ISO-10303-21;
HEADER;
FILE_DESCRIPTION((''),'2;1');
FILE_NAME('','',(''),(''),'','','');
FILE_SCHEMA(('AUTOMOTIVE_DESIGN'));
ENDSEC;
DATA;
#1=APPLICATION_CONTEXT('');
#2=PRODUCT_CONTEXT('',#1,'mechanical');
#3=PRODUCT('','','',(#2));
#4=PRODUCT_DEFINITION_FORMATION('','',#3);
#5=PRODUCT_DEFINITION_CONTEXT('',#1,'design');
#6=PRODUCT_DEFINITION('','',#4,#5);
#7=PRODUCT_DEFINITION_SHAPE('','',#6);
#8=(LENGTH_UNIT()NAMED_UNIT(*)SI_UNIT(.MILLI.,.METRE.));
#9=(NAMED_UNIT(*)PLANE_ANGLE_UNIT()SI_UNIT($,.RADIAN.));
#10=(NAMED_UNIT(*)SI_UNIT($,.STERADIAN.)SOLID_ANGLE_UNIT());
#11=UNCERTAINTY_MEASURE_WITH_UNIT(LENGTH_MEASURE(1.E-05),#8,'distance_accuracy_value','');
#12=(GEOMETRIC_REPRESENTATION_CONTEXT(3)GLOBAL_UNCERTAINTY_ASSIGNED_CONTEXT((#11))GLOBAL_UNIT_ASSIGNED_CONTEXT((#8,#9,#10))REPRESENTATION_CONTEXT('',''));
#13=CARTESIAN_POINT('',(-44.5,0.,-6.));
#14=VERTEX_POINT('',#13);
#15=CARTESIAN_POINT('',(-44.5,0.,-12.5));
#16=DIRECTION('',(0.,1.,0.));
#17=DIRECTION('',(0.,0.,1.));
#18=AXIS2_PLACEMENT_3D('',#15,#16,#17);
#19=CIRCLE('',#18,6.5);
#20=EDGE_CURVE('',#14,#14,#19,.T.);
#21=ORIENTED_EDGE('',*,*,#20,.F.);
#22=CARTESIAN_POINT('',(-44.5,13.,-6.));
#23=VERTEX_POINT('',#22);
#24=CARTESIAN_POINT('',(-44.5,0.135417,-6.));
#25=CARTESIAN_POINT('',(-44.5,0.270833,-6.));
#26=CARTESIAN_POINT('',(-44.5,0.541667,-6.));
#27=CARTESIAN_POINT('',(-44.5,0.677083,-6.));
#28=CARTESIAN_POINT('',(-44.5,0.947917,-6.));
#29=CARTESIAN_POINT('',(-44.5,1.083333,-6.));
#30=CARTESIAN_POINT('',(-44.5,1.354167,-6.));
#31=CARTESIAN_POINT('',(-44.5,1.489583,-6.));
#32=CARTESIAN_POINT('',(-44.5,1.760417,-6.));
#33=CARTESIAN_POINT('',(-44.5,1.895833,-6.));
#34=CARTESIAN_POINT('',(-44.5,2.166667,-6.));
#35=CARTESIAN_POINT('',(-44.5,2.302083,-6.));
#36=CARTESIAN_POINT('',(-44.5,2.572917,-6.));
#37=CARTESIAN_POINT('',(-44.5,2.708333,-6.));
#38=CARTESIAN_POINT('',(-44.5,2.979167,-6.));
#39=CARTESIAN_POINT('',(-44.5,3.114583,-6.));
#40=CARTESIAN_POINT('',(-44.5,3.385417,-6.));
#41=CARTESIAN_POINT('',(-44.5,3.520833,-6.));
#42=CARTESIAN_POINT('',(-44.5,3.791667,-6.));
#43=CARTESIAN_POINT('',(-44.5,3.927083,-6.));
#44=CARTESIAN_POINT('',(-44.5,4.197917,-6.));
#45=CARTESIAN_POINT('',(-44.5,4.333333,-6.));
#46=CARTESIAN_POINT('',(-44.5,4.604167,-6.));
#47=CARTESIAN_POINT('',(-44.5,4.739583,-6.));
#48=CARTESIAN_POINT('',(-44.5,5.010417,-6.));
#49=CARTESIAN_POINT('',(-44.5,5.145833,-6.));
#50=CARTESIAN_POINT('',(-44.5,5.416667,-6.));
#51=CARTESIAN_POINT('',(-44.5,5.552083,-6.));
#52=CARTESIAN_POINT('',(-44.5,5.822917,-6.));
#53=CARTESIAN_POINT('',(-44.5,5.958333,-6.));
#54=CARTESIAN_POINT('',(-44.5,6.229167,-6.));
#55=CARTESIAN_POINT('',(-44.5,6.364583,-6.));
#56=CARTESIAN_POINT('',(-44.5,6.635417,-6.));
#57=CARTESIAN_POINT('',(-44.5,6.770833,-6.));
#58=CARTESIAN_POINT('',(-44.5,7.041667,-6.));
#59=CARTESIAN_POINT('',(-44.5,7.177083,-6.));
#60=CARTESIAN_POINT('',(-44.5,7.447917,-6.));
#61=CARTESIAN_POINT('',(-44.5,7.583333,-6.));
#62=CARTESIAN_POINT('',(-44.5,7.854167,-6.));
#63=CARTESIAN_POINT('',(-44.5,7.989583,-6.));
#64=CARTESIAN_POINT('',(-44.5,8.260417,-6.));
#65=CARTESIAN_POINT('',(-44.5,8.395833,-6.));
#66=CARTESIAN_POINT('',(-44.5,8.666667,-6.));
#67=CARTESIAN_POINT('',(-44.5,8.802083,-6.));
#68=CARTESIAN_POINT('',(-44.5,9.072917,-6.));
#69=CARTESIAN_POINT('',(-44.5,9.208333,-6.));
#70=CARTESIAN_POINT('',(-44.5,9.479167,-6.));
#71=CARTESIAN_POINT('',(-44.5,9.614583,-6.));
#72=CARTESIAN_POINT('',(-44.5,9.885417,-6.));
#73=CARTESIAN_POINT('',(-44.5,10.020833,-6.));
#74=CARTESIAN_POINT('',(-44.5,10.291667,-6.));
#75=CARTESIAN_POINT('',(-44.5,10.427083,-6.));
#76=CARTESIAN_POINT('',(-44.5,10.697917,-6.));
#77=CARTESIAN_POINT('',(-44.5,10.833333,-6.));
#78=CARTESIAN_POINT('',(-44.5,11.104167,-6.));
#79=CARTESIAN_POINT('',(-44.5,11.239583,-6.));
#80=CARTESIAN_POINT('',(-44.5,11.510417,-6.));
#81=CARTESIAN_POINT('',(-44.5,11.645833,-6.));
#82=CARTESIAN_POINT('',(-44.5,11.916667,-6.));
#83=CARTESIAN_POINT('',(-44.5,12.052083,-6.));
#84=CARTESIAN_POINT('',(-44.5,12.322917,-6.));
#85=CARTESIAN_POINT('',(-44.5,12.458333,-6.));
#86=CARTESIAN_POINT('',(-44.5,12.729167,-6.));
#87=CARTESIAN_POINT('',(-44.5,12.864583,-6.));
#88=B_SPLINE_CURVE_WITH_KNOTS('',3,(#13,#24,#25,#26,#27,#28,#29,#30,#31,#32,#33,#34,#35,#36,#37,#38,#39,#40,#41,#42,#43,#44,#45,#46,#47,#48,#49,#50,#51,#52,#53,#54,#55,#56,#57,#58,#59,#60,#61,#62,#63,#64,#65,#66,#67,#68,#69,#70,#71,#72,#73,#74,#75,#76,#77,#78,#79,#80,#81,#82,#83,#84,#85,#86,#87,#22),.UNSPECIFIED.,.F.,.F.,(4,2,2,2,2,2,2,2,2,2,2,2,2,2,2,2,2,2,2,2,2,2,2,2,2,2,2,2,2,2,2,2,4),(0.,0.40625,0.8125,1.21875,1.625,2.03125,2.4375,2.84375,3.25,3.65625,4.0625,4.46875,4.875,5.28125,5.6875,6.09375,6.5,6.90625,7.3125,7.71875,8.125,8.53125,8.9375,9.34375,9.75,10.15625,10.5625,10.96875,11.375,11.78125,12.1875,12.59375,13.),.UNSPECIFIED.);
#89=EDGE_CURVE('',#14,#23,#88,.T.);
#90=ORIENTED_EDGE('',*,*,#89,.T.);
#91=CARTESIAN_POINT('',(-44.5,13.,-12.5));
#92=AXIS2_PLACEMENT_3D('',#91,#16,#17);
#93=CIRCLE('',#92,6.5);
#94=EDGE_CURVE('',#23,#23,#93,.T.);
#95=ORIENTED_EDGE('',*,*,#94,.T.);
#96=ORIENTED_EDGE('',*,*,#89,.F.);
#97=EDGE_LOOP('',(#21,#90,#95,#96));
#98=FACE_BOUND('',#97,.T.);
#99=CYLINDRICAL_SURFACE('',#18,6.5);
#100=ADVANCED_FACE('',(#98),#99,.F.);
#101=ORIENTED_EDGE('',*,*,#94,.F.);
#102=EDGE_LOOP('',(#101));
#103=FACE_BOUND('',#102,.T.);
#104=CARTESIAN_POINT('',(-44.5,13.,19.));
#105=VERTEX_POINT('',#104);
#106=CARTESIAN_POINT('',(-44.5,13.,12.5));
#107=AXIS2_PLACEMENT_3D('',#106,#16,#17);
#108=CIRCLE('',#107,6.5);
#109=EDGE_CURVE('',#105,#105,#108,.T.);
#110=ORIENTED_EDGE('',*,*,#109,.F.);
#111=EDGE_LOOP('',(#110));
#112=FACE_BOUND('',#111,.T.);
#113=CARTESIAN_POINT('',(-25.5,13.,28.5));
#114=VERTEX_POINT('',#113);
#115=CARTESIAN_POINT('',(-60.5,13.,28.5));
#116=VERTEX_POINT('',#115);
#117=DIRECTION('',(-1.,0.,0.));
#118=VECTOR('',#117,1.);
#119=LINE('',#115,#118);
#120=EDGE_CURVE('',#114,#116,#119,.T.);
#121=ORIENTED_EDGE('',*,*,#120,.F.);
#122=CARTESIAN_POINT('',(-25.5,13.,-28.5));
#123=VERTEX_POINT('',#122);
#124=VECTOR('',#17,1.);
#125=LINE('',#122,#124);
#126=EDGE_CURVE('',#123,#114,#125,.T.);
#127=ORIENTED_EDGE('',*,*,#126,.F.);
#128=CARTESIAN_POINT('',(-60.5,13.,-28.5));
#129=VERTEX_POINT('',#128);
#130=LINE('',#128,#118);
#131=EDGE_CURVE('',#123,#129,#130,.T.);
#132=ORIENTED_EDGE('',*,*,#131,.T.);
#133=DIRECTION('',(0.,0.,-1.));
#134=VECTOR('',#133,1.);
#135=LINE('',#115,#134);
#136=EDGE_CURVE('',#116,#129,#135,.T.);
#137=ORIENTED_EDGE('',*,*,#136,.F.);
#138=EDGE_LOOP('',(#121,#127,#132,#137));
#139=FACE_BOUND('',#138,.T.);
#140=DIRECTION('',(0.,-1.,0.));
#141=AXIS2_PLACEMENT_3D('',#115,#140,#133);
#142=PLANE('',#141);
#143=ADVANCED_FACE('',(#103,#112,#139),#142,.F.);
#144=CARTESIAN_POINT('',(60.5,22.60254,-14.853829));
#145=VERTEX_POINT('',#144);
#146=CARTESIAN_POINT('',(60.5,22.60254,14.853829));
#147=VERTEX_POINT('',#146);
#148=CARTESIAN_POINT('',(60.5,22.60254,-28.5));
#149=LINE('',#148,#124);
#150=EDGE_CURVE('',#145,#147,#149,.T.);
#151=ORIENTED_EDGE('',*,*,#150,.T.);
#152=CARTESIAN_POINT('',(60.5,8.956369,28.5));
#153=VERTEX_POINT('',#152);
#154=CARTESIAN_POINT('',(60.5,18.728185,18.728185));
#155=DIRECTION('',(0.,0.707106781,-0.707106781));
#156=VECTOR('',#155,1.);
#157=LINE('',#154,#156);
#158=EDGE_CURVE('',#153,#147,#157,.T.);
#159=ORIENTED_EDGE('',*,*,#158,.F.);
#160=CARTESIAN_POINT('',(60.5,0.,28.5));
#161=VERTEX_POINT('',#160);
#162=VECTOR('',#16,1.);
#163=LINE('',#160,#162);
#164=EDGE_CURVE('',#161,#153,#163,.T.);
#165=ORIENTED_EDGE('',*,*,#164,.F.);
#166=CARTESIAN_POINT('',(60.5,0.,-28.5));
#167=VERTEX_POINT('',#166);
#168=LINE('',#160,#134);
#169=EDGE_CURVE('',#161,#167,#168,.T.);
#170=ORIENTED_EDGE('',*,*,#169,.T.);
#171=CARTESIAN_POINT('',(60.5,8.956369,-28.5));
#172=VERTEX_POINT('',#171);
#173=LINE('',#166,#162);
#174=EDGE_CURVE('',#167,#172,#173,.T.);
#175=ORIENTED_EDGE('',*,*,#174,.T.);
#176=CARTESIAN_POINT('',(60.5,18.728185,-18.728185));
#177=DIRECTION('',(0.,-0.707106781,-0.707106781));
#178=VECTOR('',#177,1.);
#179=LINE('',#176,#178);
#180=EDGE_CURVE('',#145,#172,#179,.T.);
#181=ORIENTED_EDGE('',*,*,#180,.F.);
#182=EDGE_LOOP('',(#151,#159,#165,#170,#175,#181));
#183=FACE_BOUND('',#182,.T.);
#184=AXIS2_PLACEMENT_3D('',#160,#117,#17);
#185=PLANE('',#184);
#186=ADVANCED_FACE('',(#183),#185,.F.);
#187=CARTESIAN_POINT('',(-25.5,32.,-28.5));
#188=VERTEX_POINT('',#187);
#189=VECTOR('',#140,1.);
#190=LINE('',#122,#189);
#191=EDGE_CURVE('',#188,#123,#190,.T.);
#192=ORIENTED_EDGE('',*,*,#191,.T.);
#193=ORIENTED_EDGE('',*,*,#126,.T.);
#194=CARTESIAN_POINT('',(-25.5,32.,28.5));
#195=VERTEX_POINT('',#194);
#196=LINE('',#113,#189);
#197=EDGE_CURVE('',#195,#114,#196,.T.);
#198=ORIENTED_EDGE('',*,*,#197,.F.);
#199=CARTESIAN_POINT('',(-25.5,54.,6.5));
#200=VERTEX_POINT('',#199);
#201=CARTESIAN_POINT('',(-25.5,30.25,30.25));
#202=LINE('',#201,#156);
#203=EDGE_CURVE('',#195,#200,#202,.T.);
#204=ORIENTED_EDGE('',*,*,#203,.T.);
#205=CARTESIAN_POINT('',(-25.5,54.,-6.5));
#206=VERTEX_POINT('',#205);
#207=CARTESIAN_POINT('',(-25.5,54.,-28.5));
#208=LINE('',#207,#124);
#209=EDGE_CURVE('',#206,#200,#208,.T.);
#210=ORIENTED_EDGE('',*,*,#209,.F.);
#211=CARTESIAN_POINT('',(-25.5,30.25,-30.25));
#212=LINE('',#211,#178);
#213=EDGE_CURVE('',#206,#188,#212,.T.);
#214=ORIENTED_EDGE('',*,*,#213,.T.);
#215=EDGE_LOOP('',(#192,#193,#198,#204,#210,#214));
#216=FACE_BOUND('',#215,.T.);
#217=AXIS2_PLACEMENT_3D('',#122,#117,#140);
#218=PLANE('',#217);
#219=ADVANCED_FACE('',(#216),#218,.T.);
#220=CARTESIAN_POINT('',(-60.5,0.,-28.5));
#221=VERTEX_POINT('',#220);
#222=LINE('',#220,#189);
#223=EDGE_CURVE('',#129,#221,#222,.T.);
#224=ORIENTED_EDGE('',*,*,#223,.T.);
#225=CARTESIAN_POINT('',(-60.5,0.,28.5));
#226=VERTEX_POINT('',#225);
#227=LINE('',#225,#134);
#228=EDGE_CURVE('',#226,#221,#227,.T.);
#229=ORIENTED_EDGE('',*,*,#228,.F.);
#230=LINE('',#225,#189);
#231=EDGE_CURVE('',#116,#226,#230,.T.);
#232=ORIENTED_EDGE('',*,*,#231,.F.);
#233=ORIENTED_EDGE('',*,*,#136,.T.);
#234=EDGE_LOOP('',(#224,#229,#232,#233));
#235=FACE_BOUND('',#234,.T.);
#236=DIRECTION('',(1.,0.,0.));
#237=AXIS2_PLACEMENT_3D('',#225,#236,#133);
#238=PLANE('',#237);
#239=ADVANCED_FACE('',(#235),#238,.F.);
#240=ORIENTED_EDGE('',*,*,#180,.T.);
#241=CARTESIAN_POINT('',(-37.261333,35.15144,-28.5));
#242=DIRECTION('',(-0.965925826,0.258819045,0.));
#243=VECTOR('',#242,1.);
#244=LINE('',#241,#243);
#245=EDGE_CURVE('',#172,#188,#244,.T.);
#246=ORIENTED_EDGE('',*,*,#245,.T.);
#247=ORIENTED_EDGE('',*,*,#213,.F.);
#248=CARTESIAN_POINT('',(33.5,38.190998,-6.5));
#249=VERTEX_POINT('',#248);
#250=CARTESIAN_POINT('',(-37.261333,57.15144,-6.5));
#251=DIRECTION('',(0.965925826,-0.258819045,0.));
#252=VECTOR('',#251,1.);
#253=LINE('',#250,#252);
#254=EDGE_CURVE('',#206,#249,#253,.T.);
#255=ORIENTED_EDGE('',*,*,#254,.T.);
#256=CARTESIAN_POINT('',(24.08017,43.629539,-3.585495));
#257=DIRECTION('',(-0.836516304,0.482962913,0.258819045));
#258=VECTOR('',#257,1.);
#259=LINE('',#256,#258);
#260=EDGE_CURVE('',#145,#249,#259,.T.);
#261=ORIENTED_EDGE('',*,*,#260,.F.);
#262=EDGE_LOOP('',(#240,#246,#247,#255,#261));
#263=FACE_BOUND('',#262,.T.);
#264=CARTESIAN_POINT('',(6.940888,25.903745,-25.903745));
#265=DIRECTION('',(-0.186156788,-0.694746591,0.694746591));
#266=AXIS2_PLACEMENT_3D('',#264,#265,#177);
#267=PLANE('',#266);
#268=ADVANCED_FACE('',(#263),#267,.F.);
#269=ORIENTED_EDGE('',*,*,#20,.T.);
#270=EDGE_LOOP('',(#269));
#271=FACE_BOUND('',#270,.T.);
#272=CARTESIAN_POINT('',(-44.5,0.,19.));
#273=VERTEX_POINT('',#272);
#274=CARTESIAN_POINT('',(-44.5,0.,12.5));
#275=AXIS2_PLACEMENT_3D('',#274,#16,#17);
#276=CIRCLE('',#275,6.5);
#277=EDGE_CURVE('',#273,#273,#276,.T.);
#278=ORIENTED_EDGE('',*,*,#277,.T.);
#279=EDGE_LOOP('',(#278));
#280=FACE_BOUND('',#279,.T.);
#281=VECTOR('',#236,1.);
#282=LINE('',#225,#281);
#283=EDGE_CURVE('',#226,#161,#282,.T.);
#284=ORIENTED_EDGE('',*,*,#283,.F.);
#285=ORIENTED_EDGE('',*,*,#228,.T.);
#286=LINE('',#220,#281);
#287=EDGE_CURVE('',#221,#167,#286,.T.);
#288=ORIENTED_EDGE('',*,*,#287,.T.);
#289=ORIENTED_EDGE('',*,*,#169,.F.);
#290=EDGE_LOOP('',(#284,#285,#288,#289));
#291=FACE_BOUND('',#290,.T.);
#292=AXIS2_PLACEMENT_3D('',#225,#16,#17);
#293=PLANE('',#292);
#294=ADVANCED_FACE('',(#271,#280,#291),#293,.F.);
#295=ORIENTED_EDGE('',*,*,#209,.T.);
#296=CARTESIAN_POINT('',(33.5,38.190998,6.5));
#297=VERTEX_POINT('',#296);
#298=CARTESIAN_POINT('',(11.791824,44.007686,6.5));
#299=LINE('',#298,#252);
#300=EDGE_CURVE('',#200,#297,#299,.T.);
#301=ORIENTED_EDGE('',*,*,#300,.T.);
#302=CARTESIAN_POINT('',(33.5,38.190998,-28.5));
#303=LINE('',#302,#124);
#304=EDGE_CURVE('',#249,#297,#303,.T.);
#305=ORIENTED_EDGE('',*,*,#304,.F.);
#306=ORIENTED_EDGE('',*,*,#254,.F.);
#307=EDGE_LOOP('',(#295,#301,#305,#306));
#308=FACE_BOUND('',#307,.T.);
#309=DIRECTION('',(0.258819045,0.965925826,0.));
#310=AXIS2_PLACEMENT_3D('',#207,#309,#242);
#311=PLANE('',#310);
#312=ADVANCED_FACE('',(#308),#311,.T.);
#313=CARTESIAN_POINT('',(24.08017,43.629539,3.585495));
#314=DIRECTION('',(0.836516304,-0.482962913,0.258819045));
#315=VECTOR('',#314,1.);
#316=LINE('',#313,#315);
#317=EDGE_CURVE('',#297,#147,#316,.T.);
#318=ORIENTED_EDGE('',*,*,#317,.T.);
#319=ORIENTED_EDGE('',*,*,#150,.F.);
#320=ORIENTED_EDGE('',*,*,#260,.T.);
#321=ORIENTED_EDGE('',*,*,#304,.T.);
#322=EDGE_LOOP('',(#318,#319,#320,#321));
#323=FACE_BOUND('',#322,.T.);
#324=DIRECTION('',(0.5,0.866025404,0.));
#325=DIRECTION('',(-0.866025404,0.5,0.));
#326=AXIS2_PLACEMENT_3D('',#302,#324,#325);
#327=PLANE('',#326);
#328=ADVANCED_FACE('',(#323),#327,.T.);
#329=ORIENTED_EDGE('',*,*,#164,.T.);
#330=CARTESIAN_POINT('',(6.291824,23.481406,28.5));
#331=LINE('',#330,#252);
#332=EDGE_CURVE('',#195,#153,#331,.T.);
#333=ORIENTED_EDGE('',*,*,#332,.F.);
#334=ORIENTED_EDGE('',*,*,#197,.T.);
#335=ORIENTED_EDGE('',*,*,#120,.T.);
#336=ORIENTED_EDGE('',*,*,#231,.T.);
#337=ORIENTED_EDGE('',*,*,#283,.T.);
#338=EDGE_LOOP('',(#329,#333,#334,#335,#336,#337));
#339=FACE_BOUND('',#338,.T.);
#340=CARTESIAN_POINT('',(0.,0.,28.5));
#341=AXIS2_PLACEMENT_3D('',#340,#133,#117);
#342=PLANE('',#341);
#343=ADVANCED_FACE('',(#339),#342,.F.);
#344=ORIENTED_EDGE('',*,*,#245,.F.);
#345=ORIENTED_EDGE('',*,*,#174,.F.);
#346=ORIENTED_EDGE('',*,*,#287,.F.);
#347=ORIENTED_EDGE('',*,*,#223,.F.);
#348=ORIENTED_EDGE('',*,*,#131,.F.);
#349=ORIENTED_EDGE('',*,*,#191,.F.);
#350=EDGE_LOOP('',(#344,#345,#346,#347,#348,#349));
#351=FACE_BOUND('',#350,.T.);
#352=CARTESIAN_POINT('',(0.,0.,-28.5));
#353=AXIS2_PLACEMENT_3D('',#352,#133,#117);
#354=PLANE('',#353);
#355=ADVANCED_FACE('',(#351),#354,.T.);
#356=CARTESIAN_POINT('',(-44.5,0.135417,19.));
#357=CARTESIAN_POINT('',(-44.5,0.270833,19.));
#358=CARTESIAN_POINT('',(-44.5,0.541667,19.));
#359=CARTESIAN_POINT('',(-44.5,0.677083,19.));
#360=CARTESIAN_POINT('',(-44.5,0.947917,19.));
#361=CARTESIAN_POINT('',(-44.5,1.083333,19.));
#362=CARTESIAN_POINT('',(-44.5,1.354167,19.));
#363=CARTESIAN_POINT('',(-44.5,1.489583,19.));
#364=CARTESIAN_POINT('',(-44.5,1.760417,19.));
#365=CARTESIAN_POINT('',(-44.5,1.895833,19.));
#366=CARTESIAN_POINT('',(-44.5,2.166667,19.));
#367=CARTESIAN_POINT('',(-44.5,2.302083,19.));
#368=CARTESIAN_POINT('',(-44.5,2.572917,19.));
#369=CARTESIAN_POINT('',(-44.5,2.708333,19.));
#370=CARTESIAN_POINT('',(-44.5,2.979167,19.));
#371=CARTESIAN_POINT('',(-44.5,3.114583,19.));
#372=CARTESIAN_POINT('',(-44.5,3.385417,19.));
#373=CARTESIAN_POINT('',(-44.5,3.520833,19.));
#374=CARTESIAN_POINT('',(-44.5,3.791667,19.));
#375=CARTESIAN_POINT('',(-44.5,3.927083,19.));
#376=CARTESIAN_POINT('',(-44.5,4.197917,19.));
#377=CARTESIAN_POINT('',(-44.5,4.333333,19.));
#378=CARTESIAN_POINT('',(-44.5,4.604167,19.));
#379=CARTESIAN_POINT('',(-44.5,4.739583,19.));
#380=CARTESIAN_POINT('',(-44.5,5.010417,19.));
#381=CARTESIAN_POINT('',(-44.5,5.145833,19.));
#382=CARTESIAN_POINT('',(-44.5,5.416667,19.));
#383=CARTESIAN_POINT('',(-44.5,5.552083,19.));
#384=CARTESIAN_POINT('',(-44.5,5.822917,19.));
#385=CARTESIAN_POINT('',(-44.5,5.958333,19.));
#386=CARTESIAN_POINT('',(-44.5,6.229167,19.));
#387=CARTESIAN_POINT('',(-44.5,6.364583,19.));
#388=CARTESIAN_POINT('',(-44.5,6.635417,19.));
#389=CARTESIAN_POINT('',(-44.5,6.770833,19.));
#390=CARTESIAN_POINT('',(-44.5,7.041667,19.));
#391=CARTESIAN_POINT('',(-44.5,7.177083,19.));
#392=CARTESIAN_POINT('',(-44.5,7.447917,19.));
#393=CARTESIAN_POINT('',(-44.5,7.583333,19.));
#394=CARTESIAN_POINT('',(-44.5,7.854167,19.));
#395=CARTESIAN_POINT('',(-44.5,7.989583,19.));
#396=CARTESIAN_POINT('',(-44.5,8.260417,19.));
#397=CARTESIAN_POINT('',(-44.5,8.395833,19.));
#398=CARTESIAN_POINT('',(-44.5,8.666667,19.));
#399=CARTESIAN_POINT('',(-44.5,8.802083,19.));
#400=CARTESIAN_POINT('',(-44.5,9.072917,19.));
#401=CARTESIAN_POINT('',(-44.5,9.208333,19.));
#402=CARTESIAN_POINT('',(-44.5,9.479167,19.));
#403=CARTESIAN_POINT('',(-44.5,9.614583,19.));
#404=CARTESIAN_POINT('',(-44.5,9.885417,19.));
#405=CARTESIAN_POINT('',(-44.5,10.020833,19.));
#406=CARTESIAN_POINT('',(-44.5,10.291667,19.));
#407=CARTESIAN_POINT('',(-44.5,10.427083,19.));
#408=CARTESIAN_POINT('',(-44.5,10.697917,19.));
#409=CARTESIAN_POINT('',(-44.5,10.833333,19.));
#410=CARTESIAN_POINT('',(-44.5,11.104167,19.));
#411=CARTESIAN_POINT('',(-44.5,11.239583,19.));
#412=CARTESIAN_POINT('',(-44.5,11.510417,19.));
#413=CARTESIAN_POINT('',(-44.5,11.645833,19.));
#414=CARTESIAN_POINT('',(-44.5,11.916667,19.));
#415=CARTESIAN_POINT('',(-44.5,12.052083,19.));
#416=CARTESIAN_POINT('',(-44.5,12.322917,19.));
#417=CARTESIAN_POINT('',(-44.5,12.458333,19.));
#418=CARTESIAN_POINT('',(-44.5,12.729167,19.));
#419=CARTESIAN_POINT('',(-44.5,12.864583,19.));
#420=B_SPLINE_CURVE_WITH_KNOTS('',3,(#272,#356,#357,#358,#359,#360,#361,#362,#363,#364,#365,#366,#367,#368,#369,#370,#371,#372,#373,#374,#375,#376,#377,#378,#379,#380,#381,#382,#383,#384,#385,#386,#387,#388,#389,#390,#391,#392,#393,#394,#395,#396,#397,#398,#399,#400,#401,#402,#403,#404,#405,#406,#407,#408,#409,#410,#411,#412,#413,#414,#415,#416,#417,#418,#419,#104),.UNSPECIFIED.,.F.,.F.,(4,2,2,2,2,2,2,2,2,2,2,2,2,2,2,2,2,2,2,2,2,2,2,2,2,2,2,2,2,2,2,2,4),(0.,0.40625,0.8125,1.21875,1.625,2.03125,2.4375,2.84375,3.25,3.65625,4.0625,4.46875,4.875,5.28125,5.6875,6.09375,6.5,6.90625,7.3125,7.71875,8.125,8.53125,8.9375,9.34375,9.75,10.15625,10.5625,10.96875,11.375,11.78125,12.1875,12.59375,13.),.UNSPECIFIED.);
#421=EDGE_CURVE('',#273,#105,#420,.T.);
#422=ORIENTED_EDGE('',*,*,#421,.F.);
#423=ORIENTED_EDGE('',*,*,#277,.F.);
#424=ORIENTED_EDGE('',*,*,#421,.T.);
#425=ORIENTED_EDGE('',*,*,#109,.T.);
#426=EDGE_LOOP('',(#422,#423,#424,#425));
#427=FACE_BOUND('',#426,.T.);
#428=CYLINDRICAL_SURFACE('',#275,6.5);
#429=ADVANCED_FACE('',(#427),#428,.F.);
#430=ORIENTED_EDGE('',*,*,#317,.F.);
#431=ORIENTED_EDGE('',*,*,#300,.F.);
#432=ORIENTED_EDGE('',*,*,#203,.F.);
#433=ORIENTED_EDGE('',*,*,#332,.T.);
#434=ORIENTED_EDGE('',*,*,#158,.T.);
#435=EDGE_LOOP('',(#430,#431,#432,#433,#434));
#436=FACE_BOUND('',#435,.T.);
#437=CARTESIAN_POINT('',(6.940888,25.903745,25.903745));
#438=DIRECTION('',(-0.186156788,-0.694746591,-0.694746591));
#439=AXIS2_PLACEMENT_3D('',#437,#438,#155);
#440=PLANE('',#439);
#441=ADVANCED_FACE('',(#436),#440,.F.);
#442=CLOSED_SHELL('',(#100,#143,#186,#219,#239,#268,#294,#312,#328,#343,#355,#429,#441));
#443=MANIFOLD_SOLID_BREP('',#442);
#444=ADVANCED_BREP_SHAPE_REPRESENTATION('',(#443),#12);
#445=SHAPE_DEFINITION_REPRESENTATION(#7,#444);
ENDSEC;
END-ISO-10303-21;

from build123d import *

# Parameters (mm, degrees)
SKETCH1_W           = 121
SKETCH1_H           = 13
BOSS_EXTRUDE1_DEPTH = 28.5
SKETCH2_R           = 6.5
CUT_EXTRUDE1_DEPTH  = 69.128554953
BOSS_EXTRUDE2_DEPTH = 57
CUT_EXTRUDE3_REACH  = 93.09
CUT_EXTRUDE4_REACH  = 93.09


with BuildPart() as part:
    # Sketch1 → Boss-Extrude1 (new, symmetric)
    with BuildSketch(Plane.XY):
        with Locations((0, 6.5)):
            Rectangle(SKETCH1_W, SKETCH1_H)
    extrude(amount=BOSS_EXTRUDE1_DEPTH, both=True)

    # Sketch2 → Cut-Extrude1 (cut, through all)
    with BuildSketch(Plane(origin=(0, 13, 0), x_dir=(1, 0, 0), z_dir=(0, 1, 0))):
        with Locations(Location((-44.5, 12.5, 0), (0, 0, 270))):
            Circle(SKETCH2_R)
        with Locations(Location((-44.5, -12.5, 0), (0, 0, 270))):
            Circle(SKETCH2_R)
    extrude(amount=-CUT_EXTRUDE1_DEPTH, mode=Mode.SUBTRACT)

    # Sketch3 → Boss-Extrude2 (add)
    with BuildSketch(Plane.XY.offset(28.5)):
        Polygon((-25.5, 13), (-25.5, 54), (33.5, 38.190997647), (60.5, 22.602540378), (60.5, 13), align=None)
    extrude(amount=-BOSS_EXTRUDE2_DEPTH)

    # Sketch7 → Cut-Extrude3 (cut, up to next)
    with BuildSketch(Plane(origin=(6.940887603, 25.903745183, 25.903745183), x_dir=(0.9825200508486979, -0.13163272708614732, -0.13163272708614732), z_dir=(0.1861567878973858, 0.6947465906068656, 0.6947465906068659)), mode=Mode.PRIVATE) as cut_extrude3_sk1:
        Polygon((-40.951405202, -0.627191909), (-40.951405202, 40.505985035), (61.941772905, 20.980207657), (61.941772905, -20.152969287), align=None)
    cut_extrude3_tool1 = extrude(cut_extrude3_sk1.sketch, amount=CUT_EXTRUDE3_REACH, mode=Mode.PRIVATE) & part.part
    add(cut_extrude3_tool1.solids().sort_by_distance((17.252616, 31.718113, 17.326358))[0], mode=Mode.SUBTRACT)

    # Sketch10 → Cut-Extrude4 (cut, up to next)
    with BuildSketch(Plane(origin=(6.940887603, 25.903745183, -25.903745183), x_dir=(-0.9825200508486979, 0.13163272708614734, -0.13163272708614734), z_dir=(0.18615678789738585, 0.6947465906068656, -0.6947465906068659)), mode=Mode.PRIVATE) as cut_extrude4_sk1:
        Polygon((44.988619568, 4.703278136), (44.988619568, 35.815976509), (-66.918136798, 14.9837742), (-66.918136798, -16.128924173), align=None)
    cut_extrude4_tool1 = extrude(cut_extrude4_sk1.sketch, amount=CUT_EXTRUDE4_REACH, mode=Mode.PRIVATE) & part.part
    add(cut_extrude4_tool1.solids().sort_by_distance((17.713983, 31.420848, -17.5))[0], mode=Mode.SUBTRACT)


solid = part.part
